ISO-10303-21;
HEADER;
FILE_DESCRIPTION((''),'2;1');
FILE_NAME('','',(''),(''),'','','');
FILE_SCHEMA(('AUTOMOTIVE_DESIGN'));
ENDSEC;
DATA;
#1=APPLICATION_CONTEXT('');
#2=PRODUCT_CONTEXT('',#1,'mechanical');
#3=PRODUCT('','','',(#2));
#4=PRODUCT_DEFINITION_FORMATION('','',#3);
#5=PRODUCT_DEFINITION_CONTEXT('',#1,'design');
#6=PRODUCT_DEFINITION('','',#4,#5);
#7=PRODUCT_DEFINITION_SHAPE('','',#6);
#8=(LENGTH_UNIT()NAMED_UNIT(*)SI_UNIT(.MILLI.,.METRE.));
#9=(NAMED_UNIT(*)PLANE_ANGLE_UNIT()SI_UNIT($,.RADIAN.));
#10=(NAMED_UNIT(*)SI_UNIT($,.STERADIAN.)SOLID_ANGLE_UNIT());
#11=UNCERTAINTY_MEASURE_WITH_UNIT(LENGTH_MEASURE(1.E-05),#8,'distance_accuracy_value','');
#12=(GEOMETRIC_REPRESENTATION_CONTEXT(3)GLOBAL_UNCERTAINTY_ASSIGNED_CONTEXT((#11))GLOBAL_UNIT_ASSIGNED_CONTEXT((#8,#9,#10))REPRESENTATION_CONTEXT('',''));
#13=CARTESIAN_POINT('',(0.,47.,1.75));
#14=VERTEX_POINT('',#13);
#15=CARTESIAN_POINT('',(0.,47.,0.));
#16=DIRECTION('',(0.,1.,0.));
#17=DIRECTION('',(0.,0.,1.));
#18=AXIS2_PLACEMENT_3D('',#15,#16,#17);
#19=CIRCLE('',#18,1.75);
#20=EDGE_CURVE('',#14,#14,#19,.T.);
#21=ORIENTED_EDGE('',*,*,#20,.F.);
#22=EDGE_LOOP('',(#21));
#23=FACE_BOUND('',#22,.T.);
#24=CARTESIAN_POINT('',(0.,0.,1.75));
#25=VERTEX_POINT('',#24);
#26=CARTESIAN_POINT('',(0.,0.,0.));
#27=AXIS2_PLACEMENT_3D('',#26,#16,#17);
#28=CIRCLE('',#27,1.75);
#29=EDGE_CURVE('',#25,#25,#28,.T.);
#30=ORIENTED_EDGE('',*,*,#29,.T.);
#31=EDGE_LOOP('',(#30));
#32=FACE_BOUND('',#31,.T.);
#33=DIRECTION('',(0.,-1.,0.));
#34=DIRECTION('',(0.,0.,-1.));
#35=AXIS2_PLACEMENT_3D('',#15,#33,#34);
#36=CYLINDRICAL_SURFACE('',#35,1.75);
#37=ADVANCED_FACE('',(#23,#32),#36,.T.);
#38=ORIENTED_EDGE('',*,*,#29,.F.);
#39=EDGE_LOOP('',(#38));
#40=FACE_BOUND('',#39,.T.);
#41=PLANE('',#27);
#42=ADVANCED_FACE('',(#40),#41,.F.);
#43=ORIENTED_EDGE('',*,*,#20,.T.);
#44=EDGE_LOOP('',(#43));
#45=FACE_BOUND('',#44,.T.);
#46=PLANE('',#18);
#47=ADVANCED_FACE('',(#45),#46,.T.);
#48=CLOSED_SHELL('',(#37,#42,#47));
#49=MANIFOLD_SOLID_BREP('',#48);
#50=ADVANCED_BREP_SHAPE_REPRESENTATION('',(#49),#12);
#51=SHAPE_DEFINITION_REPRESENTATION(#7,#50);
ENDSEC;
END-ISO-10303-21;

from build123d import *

# Parameters (mm, degrees)
SKETCH1_R           = 1.75
BOSS_EXTRUDE1_DEPTH = 47


with BuildPart() as part:
    # Sketch1 → Boss-Extrude1 (new body)
    with BuildSketch(Plane(origin=(0, 0, 0), x_dir=(1, 0, 0), z_dir=(0, 1, 0))):
        Circle(SKETCH1_R)
    extrude(amount=BOSS_EXTRUDE1_DEPTH)


solid = part.part
